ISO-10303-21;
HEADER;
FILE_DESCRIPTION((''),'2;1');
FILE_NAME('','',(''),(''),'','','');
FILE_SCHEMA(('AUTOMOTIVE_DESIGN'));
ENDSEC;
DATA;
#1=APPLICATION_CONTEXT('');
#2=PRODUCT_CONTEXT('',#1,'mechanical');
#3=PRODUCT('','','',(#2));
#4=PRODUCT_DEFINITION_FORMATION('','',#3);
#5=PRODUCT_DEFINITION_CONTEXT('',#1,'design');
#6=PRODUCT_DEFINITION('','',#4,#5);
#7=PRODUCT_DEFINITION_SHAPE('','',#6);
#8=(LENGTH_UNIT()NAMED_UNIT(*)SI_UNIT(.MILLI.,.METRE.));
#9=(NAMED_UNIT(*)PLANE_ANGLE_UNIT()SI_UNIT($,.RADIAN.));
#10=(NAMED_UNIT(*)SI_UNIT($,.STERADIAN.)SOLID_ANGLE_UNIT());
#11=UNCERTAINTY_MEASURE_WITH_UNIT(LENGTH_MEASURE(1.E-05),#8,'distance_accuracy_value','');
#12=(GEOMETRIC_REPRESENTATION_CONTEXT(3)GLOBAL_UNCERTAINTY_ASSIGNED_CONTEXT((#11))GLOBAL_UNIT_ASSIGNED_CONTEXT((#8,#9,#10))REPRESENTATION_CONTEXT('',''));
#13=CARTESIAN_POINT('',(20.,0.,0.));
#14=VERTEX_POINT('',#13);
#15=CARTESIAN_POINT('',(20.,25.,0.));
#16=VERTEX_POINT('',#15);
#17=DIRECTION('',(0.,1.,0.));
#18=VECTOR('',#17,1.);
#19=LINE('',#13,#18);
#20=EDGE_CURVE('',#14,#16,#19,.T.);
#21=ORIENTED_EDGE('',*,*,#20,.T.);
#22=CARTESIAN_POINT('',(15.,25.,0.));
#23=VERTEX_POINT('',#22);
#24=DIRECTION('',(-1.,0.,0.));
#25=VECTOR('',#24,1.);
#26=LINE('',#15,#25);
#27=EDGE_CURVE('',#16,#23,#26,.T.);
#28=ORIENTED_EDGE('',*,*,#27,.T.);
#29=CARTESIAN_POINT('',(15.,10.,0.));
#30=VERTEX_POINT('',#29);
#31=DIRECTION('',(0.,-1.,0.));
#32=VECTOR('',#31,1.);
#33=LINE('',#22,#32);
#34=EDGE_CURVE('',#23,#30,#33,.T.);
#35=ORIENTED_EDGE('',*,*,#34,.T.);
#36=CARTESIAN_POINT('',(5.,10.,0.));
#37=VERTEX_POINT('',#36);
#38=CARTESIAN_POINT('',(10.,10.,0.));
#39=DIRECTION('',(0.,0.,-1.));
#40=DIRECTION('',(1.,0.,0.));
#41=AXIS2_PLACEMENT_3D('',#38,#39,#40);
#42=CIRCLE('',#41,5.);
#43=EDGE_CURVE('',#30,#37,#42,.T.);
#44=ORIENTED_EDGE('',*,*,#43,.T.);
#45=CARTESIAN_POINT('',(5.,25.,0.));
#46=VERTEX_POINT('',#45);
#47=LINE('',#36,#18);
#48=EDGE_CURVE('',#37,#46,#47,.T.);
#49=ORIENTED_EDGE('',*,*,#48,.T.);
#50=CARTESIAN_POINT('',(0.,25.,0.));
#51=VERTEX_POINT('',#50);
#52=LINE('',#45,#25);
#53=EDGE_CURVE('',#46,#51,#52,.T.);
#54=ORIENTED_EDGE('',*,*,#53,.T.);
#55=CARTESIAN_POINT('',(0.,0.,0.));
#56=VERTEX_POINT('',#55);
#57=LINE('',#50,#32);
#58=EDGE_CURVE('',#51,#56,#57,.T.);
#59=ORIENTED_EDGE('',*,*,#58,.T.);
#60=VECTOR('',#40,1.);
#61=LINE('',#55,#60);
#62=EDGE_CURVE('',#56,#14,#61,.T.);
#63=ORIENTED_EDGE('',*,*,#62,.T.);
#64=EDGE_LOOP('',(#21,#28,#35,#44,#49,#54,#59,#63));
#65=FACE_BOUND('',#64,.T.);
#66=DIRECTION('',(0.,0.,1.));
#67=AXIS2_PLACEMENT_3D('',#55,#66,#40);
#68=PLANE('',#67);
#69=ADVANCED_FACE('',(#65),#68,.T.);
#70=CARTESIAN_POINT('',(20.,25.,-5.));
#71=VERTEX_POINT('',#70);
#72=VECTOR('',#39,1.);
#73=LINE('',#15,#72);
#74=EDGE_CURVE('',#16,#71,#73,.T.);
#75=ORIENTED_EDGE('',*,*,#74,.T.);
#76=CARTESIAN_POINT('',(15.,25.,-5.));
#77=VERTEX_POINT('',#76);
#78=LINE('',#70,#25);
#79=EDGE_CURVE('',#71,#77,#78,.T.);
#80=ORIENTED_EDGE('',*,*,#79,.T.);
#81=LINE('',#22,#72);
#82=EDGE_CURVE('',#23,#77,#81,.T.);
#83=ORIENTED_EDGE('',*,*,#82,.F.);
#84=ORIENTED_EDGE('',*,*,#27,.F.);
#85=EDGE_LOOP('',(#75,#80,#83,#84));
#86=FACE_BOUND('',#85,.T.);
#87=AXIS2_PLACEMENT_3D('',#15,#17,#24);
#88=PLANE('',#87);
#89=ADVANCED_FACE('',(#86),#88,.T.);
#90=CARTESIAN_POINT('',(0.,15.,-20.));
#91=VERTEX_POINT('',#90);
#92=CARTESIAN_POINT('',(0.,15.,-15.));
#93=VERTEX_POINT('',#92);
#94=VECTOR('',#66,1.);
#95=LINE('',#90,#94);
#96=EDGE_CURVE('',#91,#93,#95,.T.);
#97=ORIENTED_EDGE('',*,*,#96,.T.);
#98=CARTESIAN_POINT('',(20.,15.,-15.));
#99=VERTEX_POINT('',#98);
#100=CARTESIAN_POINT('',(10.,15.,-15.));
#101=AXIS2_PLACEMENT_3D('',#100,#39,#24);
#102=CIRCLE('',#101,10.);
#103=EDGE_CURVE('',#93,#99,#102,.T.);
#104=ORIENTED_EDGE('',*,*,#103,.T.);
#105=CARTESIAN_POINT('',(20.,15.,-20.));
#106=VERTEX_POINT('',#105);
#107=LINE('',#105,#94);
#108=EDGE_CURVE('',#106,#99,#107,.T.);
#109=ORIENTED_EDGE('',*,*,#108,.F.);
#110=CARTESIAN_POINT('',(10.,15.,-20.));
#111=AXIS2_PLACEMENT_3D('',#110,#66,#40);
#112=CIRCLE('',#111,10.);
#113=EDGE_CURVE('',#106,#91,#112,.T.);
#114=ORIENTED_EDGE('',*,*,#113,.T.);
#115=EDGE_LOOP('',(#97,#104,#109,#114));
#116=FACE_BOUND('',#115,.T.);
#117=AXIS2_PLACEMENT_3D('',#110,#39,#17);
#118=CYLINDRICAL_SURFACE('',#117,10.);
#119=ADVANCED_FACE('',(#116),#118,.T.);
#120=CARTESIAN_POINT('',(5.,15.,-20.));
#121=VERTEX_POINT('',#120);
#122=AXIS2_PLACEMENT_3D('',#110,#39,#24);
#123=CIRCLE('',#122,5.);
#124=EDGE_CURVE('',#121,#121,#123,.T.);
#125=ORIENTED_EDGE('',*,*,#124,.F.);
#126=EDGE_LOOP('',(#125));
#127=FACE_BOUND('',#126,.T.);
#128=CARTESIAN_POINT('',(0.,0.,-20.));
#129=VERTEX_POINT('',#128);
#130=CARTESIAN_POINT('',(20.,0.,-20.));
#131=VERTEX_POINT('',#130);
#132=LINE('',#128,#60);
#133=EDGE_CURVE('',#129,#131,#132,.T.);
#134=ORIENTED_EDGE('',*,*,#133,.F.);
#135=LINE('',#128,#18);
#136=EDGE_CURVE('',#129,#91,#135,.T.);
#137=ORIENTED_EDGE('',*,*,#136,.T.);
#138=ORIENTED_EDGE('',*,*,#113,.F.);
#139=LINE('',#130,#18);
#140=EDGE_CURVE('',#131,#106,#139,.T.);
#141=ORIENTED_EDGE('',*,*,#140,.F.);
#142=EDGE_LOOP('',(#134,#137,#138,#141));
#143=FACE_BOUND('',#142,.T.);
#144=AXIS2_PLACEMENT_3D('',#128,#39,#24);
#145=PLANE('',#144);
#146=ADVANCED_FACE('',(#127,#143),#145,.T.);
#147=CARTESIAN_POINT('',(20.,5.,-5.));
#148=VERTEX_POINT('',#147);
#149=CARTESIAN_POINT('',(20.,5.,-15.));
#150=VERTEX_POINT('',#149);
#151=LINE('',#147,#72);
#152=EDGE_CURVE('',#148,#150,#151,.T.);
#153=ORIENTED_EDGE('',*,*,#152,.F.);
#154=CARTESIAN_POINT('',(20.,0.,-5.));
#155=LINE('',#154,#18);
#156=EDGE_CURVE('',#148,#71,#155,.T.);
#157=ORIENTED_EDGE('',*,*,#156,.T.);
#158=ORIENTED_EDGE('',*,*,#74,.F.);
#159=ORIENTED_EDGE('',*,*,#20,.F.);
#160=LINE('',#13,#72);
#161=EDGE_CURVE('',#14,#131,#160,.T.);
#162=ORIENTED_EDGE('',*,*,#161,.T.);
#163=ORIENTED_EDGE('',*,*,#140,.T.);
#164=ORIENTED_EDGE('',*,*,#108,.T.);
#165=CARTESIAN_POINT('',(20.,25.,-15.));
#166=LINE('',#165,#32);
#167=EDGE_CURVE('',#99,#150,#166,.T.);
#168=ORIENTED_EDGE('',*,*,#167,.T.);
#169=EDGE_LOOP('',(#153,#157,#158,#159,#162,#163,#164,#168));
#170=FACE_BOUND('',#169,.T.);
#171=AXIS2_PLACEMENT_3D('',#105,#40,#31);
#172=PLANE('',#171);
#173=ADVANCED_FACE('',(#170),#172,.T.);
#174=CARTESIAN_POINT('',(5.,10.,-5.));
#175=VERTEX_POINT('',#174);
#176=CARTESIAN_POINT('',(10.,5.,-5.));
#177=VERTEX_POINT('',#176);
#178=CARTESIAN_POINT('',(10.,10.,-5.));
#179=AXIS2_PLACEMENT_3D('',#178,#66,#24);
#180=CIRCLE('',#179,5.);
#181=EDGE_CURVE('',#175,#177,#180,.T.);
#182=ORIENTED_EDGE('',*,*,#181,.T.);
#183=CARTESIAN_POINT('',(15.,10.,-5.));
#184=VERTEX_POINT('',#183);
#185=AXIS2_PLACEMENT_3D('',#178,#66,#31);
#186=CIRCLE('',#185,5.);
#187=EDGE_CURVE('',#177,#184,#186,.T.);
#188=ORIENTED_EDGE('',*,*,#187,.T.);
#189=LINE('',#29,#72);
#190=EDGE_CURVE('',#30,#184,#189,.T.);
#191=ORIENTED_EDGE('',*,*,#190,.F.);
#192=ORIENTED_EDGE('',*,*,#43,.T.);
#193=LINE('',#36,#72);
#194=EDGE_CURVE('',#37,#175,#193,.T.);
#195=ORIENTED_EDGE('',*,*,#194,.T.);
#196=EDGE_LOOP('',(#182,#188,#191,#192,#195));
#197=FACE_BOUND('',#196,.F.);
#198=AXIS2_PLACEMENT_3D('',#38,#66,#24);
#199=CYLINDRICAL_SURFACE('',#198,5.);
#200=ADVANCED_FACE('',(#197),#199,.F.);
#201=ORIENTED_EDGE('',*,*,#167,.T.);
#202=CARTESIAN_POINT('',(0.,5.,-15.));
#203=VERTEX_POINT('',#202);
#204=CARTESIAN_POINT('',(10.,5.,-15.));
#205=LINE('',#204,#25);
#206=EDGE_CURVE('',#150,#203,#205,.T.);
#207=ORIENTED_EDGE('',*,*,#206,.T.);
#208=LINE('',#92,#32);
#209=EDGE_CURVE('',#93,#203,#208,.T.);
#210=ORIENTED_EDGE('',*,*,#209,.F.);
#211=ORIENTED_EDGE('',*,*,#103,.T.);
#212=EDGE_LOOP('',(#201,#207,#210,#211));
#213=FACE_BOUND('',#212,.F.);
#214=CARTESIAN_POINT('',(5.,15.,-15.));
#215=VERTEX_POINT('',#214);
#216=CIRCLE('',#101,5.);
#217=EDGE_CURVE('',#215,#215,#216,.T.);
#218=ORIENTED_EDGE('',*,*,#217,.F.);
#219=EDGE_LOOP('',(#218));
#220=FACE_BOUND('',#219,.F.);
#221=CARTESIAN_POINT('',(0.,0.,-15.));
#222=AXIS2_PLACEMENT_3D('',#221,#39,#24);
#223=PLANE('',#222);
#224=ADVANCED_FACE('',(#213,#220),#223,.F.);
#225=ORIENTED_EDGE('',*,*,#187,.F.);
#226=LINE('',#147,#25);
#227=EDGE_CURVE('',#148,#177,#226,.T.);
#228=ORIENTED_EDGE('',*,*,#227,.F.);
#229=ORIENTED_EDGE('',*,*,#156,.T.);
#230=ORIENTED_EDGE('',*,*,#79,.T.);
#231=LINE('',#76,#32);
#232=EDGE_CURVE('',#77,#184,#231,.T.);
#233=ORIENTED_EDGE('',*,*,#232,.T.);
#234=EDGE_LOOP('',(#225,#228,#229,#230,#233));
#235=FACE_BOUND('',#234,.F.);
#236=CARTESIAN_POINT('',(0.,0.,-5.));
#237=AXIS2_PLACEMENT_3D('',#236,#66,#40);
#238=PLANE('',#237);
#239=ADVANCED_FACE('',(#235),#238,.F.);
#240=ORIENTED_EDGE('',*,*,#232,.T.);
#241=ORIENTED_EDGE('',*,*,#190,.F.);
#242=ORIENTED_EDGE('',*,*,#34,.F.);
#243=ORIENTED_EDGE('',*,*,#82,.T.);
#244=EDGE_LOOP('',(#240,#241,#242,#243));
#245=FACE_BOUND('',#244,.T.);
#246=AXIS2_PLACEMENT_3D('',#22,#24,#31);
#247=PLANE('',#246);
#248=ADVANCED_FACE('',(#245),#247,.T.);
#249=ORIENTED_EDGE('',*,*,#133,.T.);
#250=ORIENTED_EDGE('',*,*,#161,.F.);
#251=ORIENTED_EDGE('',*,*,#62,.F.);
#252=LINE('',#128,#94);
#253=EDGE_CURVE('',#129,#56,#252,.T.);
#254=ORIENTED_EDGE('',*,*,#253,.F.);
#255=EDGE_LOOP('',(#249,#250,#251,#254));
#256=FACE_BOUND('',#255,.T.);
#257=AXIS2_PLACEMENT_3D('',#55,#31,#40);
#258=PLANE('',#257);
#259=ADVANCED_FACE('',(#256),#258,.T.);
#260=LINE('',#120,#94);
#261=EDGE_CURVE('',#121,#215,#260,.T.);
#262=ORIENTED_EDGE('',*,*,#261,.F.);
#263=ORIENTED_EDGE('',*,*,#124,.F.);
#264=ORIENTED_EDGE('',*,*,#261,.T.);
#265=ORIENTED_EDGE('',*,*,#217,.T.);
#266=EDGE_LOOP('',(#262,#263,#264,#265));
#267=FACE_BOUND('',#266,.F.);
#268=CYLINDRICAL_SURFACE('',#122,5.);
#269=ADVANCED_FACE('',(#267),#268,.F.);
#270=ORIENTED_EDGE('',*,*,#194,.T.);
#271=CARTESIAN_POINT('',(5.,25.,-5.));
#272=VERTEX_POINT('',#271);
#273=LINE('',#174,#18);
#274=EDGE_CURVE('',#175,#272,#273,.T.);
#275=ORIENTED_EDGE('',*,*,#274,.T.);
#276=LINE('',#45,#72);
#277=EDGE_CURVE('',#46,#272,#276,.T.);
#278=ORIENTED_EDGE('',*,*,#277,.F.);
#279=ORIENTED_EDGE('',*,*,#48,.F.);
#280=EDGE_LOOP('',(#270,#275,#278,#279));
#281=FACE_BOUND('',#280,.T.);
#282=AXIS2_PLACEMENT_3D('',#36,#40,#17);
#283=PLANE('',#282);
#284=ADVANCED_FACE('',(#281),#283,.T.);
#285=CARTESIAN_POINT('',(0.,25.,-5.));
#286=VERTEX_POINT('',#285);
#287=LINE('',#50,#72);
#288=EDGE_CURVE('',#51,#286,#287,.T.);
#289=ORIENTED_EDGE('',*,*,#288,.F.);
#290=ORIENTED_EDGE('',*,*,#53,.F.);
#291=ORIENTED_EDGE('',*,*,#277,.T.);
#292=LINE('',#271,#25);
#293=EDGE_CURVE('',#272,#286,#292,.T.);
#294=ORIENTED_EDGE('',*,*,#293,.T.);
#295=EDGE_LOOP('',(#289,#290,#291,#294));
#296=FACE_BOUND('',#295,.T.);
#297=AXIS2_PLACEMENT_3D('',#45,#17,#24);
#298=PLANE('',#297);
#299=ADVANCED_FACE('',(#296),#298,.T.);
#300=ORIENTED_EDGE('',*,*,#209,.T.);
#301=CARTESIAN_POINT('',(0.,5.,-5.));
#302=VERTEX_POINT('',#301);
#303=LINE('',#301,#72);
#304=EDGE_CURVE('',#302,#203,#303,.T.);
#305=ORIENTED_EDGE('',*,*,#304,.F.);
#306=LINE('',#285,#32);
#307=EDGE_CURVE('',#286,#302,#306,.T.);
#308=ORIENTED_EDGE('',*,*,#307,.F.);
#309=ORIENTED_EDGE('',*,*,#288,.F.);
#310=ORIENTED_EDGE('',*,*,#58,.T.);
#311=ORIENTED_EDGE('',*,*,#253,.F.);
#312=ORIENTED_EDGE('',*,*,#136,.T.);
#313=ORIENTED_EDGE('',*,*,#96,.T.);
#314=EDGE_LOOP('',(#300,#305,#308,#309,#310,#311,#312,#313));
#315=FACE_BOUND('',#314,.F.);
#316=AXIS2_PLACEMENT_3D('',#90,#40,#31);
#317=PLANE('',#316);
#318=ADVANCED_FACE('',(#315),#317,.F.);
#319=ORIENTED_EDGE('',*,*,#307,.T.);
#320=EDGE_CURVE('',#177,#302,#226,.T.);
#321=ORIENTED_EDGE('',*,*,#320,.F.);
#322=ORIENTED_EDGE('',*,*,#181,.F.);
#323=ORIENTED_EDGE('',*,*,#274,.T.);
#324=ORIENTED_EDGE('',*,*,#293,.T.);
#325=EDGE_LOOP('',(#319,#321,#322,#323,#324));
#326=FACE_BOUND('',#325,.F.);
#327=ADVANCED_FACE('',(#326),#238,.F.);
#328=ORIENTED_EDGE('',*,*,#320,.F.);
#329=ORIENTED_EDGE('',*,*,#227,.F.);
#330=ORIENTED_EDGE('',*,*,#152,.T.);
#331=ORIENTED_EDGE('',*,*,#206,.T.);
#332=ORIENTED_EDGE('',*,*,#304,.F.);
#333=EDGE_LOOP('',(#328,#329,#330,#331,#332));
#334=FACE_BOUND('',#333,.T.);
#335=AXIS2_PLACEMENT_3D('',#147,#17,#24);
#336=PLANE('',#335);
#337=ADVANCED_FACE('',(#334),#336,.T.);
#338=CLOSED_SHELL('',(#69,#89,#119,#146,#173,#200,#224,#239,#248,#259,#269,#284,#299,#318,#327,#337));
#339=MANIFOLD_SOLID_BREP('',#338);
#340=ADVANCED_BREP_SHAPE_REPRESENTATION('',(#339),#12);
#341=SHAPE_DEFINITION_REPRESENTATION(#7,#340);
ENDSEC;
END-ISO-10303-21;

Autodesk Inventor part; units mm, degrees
ref_plane "YZ Plane" through (0, 0, 0) normal (1, 0, 0) x (0, 1, 0)
ref_plane "XZ Plane" through (0, 0, 0) normal (0, 1, 0) x (-1, 0, 0)
ref_plane "XY Plane" through (0, 0, 0) normal (0, 0, 1) x (1, 0, 0)
sketch "Sketch1" plane through (0, 0, 0) normal (0, 0, 1) x (1, 0, 0)
  line L0 (0, 0) -> (20, 0)
  line L1 (20, 0) -> (20, 25)
  line L2 (20, 25) -> (15, 25)
  line L3 (15, 25) -> (15, 10)
  line L4 (10, 5) -> (10, 5)
  line L5 (5, 10) -> (5, 25)
  line L6 (5, 25) -> (0, 25)
  line L7 (0, 25) -> (0, 0)
  arc A0 (5, 10) -> (10, 5) centre (10, 10) ccw
  arc A1 (10, 5) -> (15, 10) centre (10, 10) ccw
  point P0 (15, 5)
  point P1 (5, 5)
  dimension "d0" = 20
  dimension "d1" = 25
  dimension "d2" = 5
  dimension "d3" = 20
  dimension "d4" = 10
  dimension "d5" = 5
extrude "Extrusion1" add sketch "Sketch1" against normal blind 5
sketch "Sketch2" plane through (0, 0, -5) normal (0, 0, -1) x (-1, 0, 0)
  line L0 (0, 25) -> (0, 0) projected
  line L1 (-20, 25) -> (-20, 0) projected
  line L2 (0, 0) -> (-20, 0)
  line L3 (-20, 0) -> (-20, 5)
  line L4 (-20, 5) -> (0, 5)
  line L5 (0, 5) -> (0, 0)
  dimension "d8" = 5
extrude "Extrusion2" add sketch "Sketch2" along normal blind 15
sketch "Sketch3" plane through (0, 0, -20) normal (0, 0, -1) x (-1, 0, 0)
  line L0 (-20, 25) -> (-20, 5) projected
  line L1 (0, 0) -> (-20, 0)
  line L2 (-20, 0) -> (-20, 15)
  line L3 (-10, 25) -> (-10, 25)
  line L4 (0, 15) -> (0, 0)
  arc A0 (-10, 25) -> (-20, 15) centre (-10, 15) ccw
  arc A1 (0, 15) -> (-10, 25) centre (-10, 15) ccw
  circle A2 centre (-10, 15) radius 5
  dimension "d11" = 10
  dimension "d12" = 10
extrude "Extrusion3" add sketch "Sketch3" against normal blind 5
